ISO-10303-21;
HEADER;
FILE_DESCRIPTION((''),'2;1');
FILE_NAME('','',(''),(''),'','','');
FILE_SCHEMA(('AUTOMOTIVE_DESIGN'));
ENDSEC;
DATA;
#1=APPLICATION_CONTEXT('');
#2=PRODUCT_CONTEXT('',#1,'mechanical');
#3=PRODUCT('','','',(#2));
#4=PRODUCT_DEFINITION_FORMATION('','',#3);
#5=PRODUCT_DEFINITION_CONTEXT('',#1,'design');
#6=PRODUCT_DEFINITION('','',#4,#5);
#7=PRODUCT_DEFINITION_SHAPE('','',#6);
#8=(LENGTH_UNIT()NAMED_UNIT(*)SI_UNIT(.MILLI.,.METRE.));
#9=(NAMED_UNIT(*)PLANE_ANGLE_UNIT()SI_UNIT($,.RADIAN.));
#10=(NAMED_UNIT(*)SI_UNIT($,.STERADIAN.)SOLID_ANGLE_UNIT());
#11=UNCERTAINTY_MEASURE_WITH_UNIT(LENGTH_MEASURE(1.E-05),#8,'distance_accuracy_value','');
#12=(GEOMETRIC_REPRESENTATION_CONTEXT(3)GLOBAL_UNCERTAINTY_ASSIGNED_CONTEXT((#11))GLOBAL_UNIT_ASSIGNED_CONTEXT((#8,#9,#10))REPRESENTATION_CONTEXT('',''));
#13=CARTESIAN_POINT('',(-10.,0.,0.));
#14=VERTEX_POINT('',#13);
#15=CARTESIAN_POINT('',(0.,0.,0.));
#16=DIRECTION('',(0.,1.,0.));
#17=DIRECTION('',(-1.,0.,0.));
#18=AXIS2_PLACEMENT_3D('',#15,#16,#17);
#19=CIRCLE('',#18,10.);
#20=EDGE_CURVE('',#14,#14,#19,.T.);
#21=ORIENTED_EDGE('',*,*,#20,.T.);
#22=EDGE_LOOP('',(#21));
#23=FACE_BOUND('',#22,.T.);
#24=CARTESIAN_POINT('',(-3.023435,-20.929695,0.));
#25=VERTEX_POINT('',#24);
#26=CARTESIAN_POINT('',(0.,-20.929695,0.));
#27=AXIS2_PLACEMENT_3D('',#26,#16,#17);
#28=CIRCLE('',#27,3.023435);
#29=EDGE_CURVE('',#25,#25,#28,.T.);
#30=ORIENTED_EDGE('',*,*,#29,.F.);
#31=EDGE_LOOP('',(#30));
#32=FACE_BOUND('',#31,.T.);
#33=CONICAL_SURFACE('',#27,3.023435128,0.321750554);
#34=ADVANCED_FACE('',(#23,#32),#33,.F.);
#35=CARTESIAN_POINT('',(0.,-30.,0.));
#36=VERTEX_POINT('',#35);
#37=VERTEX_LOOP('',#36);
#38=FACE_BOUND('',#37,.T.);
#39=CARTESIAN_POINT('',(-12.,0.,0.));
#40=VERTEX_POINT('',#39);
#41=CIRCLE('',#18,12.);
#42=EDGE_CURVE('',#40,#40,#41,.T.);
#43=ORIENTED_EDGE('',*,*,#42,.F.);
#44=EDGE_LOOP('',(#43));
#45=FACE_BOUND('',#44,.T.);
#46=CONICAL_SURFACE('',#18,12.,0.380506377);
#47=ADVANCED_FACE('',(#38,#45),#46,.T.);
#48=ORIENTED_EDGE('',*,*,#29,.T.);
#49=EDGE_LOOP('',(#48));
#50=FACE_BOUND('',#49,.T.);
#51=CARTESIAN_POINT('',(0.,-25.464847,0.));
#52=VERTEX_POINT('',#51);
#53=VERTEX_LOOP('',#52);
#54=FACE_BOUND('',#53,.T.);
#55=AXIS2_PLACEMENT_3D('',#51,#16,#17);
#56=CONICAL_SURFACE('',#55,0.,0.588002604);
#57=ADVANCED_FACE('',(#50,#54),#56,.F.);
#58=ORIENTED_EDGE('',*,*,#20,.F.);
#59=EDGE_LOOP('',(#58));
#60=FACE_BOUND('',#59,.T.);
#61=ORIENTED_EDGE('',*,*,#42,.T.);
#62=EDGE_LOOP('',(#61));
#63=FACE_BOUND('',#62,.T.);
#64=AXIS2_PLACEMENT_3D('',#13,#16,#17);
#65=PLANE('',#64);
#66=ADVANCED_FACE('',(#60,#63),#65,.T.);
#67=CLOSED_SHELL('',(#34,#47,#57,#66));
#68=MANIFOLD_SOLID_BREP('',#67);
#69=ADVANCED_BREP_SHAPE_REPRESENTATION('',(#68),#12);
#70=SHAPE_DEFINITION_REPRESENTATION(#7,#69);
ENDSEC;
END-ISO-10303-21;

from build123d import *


with BuildPart() as part:
    # Croquis2 → Revolución1 (revolve)
    with BuildSketch(Plane.XY):
        Polygon((-10, 0), (-12, 0), (0, -30), (0, -25.464847308), (-3.023435128, -20.929694616), align=None)
    revolve(axis=Axis((0, 0, 0), (0, -1, 0)))


solid = part.part
